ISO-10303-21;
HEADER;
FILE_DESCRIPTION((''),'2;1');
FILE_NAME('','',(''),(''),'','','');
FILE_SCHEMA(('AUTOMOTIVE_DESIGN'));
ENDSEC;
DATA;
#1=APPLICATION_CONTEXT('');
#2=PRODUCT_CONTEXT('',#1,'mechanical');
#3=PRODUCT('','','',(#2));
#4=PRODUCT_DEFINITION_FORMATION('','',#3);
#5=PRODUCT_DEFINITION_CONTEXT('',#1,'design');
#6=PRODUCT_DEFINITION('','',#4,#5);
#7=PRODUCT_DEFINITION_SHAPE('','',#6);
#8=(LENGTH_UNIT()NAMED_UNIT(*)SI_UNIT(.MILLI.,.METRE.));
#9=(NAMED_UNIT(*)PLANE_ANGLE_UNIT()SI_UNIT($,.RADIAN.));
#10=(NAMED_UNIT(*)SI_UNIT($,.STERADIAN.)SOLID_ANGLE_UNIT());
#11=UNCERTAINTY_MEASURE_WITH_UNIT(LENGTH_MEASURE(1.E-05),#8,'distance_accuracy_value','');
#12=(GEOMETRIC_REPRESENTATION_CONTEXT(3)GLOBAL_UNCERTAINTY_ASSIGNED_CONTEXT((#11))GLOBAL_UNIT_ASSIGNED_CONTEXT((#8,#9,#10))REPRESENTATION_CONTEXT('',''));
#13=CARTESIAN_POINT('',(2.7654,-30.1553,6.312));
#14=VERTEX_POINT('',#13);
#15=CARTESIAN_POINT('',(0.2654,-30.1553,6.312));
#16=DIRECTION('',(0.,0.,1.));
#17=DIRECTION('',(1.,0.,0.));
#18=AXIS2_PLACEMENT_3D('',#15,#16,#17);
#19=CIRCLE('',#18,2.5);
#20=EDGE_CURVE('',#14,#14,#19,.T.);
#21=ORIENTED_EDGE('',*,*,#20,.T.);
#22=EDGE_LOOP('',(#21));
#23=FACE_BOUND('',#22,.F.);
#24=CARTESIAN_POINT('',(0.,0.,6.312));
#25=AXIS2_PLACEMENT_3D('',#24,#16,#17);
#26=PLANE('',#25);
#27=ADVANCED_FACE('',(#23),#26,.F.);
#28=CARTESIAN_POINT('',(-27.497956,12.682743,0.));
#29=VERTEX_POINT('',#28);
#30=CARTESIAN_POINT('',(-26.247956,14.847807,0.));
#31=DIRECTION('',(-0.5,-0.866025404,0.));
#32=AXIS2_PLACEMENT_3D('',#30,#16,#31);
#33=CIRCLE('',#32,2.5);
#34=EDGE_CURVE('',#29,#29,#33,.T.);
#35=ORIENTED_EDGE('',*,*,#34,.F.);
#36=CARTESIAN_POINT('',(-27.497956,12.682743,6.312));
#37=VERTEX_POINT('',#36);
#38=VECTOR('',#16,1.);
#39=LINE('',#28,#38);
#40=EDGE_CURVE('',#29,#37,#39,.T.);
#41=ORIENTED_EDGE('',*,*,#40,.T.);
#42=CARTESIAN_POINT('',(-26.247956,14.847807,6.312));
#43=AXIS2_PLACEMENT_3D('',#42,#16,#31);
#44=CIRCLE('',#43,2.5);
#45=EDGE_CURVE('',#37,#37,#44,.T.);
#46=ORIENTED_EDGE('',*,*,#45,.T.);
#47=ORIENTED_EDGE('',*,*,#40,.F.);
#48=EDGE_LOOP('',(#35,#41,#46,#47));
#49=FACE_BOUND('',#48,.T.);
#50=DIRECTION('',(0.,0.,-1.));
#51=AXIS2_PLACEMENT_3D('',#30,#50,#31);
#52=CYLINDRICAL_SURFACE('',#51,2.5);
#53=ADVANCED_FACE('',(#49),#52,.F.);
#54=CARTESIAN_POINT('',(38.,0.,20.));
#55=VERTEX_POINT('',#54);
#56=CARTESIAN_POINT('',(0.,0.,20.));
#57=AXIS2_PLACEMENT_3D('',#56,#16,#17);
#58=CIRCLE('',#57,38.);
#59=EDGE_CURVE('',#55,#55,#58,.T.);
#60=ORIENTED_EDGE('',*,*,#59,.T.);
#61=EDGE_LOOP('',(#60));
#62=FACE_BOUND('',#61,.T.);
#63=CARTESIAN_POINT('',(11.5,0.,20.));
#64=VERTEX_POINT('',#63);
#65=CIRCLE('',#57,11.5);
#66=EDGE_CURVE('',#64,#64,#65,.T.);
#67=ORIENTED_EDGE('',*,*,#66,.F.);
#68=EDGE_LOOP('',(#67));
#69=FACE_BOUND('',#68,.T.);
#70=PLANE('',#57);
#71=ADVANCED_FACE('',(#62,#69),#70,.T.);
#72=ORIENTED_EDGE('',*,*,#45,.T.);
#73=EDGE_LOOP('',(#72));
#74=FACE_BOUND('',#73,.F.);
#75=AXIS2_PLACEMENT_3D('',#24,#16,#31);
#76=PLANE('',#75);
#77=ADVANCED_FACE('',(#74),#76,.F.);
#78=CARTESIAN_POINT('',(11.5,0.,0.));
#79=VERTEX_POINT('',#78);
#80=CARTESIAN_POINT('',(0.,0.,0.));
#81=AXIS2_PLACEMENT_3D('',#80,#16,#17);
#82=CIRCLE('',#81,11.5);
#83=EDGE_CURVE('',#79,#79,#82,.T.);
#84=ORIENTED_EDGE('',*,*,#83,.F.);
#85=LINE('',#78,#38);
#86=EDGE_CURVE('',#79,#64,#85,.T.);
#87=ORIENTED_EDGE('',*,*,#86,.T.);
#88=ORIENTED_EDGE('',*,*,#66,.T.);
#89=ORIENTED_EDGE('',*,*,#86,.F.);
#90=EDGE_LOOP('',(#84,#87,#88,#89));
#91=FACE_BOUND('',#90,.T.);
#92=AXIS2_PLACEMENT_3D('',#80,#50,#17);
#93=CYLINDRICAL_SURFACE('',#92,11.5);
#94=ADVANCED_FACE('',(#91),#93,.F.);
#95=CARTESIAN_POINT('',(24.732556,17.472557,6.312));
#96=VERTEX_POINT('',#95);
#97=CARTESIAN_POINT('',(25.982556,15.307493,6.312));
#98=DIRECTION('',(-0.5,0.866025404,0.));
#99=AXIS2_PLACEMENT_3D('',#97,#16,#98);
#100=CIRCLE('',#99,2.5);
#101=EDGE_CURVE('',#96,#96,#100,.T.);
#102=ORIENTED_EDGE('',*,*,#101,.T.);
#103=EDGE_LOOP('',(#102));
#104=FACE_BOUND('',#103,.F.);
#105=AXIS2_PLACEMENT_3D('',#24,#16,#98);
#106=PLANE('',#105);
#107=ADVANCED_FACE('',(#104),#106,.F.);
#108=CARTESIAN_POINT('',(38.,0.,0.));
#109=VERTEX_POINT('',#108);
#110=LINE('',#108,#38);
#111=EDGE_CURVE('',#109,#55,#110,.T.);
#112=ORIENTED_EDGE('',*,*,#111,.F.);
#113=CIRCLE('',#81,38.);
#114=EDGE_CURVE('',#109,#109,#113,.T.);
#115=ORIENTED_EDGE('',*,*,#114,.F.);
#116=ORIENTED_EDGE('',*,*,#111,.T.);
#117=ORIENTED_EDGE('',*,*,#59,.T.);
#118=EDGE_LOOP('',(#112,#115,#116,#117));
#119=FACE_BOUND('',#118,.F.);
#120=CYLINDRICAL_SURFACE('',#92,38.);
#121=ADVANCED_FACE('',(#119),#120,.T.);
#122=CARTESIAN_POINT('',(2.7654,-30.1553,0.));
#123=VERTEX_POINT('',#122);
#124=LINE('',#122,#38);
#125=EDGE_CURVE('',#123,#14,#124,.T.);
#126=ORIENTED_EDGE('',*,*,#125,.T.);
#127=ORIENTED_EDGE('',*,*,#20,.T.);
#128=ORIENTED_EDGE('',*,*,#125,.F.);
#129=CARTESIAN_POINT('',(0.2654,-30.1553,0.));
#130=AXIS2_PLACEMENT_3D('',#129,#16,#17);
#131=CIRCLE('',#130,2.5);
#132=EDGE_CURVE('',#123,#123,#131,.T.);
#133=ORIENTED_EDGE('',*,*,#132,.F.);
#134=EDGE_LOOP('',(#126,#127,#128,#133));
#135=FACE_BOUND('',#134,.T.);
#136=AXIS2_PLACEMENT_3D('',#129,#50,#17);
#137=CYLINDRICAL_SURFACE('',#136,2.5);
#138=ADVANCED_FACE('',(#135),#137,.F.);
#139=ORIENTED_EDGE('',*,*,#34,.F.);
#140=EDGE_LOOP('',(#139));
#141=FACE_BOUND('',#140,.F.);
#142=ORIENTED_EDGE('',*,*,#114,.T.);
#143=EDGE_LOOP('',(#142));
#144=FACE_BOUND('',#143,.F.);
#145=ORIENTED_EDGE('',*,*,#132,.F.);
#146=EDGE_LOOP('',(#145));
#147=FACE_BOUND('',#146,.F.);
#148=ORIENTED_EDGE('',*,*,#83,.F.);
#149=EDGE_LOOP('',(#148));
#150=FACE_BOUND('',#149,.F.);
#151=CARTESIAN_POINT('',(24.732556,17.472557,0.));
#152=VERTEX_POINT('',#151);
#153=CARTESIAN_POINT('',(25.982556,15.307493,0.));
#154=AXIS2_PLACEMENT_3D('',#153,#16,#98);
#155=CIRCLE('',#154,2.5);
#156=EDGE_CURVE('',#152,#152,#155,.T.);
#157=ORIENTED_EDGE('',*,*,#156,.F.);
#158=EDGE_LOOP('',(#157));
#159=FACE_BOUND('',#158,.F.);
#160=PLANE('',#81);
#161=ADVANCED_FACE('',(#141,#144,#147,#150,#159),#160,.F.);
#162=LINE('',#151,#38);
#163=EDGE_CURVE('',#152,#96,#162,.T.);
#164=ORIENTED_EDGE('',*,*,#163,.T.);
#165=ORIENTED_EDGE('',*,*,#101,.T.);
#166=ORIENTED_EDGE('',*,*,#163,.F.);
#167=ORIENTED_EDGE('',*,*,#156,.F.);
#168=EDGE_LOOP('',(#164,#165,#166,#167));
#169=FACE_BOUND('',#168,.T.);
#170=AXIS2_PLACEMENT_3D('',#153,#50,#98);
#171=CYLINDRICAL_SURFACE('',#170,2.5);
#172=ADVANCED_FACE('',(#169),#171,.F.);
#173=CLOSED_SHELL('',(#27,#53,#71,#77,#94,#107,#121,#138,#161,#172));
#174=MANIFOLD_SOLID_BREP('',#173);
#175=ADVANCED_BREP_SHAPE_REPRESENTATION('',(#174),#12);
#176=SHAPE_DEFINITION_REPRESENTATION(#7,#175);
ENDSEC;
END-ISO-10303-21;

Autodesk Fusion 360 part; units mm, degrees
sketch "Sketch1" plane through (0, 0, 0) normal (0, 0, 1) x (1, 0, 0)
  circle A0 centre (0, 0) radius 11.5
  circle A1 centre (0, 0) radius 22.5
  circle A2 centre (0, 0) radius 38
  dimension "d1" = 45
  dimension "d2" = 23
  dimension "d3" = 76
extrude "Extrude1" add sketch "Sketch1" along normal blind 20 contours A1
sketch "Sketch2" plane through (0, 0, 0) normal (0, 0, 1) x (1, 0, 0)
  circle A0 centre (0.2654, -30.1553) radius 2.5
  dimension "d8" = 5
extrude "Extrude4" add sketch "Sketch1" along normal blind 20 contours A1 | A2
extrude "Extrude5" cut sketch "Sketch2" along normal blind 6.312
pattern_circular "C-Pattern2" count 3 over 360 about axis through (0, 0, 20) along (0, 0, 1) of "Extrude5"
